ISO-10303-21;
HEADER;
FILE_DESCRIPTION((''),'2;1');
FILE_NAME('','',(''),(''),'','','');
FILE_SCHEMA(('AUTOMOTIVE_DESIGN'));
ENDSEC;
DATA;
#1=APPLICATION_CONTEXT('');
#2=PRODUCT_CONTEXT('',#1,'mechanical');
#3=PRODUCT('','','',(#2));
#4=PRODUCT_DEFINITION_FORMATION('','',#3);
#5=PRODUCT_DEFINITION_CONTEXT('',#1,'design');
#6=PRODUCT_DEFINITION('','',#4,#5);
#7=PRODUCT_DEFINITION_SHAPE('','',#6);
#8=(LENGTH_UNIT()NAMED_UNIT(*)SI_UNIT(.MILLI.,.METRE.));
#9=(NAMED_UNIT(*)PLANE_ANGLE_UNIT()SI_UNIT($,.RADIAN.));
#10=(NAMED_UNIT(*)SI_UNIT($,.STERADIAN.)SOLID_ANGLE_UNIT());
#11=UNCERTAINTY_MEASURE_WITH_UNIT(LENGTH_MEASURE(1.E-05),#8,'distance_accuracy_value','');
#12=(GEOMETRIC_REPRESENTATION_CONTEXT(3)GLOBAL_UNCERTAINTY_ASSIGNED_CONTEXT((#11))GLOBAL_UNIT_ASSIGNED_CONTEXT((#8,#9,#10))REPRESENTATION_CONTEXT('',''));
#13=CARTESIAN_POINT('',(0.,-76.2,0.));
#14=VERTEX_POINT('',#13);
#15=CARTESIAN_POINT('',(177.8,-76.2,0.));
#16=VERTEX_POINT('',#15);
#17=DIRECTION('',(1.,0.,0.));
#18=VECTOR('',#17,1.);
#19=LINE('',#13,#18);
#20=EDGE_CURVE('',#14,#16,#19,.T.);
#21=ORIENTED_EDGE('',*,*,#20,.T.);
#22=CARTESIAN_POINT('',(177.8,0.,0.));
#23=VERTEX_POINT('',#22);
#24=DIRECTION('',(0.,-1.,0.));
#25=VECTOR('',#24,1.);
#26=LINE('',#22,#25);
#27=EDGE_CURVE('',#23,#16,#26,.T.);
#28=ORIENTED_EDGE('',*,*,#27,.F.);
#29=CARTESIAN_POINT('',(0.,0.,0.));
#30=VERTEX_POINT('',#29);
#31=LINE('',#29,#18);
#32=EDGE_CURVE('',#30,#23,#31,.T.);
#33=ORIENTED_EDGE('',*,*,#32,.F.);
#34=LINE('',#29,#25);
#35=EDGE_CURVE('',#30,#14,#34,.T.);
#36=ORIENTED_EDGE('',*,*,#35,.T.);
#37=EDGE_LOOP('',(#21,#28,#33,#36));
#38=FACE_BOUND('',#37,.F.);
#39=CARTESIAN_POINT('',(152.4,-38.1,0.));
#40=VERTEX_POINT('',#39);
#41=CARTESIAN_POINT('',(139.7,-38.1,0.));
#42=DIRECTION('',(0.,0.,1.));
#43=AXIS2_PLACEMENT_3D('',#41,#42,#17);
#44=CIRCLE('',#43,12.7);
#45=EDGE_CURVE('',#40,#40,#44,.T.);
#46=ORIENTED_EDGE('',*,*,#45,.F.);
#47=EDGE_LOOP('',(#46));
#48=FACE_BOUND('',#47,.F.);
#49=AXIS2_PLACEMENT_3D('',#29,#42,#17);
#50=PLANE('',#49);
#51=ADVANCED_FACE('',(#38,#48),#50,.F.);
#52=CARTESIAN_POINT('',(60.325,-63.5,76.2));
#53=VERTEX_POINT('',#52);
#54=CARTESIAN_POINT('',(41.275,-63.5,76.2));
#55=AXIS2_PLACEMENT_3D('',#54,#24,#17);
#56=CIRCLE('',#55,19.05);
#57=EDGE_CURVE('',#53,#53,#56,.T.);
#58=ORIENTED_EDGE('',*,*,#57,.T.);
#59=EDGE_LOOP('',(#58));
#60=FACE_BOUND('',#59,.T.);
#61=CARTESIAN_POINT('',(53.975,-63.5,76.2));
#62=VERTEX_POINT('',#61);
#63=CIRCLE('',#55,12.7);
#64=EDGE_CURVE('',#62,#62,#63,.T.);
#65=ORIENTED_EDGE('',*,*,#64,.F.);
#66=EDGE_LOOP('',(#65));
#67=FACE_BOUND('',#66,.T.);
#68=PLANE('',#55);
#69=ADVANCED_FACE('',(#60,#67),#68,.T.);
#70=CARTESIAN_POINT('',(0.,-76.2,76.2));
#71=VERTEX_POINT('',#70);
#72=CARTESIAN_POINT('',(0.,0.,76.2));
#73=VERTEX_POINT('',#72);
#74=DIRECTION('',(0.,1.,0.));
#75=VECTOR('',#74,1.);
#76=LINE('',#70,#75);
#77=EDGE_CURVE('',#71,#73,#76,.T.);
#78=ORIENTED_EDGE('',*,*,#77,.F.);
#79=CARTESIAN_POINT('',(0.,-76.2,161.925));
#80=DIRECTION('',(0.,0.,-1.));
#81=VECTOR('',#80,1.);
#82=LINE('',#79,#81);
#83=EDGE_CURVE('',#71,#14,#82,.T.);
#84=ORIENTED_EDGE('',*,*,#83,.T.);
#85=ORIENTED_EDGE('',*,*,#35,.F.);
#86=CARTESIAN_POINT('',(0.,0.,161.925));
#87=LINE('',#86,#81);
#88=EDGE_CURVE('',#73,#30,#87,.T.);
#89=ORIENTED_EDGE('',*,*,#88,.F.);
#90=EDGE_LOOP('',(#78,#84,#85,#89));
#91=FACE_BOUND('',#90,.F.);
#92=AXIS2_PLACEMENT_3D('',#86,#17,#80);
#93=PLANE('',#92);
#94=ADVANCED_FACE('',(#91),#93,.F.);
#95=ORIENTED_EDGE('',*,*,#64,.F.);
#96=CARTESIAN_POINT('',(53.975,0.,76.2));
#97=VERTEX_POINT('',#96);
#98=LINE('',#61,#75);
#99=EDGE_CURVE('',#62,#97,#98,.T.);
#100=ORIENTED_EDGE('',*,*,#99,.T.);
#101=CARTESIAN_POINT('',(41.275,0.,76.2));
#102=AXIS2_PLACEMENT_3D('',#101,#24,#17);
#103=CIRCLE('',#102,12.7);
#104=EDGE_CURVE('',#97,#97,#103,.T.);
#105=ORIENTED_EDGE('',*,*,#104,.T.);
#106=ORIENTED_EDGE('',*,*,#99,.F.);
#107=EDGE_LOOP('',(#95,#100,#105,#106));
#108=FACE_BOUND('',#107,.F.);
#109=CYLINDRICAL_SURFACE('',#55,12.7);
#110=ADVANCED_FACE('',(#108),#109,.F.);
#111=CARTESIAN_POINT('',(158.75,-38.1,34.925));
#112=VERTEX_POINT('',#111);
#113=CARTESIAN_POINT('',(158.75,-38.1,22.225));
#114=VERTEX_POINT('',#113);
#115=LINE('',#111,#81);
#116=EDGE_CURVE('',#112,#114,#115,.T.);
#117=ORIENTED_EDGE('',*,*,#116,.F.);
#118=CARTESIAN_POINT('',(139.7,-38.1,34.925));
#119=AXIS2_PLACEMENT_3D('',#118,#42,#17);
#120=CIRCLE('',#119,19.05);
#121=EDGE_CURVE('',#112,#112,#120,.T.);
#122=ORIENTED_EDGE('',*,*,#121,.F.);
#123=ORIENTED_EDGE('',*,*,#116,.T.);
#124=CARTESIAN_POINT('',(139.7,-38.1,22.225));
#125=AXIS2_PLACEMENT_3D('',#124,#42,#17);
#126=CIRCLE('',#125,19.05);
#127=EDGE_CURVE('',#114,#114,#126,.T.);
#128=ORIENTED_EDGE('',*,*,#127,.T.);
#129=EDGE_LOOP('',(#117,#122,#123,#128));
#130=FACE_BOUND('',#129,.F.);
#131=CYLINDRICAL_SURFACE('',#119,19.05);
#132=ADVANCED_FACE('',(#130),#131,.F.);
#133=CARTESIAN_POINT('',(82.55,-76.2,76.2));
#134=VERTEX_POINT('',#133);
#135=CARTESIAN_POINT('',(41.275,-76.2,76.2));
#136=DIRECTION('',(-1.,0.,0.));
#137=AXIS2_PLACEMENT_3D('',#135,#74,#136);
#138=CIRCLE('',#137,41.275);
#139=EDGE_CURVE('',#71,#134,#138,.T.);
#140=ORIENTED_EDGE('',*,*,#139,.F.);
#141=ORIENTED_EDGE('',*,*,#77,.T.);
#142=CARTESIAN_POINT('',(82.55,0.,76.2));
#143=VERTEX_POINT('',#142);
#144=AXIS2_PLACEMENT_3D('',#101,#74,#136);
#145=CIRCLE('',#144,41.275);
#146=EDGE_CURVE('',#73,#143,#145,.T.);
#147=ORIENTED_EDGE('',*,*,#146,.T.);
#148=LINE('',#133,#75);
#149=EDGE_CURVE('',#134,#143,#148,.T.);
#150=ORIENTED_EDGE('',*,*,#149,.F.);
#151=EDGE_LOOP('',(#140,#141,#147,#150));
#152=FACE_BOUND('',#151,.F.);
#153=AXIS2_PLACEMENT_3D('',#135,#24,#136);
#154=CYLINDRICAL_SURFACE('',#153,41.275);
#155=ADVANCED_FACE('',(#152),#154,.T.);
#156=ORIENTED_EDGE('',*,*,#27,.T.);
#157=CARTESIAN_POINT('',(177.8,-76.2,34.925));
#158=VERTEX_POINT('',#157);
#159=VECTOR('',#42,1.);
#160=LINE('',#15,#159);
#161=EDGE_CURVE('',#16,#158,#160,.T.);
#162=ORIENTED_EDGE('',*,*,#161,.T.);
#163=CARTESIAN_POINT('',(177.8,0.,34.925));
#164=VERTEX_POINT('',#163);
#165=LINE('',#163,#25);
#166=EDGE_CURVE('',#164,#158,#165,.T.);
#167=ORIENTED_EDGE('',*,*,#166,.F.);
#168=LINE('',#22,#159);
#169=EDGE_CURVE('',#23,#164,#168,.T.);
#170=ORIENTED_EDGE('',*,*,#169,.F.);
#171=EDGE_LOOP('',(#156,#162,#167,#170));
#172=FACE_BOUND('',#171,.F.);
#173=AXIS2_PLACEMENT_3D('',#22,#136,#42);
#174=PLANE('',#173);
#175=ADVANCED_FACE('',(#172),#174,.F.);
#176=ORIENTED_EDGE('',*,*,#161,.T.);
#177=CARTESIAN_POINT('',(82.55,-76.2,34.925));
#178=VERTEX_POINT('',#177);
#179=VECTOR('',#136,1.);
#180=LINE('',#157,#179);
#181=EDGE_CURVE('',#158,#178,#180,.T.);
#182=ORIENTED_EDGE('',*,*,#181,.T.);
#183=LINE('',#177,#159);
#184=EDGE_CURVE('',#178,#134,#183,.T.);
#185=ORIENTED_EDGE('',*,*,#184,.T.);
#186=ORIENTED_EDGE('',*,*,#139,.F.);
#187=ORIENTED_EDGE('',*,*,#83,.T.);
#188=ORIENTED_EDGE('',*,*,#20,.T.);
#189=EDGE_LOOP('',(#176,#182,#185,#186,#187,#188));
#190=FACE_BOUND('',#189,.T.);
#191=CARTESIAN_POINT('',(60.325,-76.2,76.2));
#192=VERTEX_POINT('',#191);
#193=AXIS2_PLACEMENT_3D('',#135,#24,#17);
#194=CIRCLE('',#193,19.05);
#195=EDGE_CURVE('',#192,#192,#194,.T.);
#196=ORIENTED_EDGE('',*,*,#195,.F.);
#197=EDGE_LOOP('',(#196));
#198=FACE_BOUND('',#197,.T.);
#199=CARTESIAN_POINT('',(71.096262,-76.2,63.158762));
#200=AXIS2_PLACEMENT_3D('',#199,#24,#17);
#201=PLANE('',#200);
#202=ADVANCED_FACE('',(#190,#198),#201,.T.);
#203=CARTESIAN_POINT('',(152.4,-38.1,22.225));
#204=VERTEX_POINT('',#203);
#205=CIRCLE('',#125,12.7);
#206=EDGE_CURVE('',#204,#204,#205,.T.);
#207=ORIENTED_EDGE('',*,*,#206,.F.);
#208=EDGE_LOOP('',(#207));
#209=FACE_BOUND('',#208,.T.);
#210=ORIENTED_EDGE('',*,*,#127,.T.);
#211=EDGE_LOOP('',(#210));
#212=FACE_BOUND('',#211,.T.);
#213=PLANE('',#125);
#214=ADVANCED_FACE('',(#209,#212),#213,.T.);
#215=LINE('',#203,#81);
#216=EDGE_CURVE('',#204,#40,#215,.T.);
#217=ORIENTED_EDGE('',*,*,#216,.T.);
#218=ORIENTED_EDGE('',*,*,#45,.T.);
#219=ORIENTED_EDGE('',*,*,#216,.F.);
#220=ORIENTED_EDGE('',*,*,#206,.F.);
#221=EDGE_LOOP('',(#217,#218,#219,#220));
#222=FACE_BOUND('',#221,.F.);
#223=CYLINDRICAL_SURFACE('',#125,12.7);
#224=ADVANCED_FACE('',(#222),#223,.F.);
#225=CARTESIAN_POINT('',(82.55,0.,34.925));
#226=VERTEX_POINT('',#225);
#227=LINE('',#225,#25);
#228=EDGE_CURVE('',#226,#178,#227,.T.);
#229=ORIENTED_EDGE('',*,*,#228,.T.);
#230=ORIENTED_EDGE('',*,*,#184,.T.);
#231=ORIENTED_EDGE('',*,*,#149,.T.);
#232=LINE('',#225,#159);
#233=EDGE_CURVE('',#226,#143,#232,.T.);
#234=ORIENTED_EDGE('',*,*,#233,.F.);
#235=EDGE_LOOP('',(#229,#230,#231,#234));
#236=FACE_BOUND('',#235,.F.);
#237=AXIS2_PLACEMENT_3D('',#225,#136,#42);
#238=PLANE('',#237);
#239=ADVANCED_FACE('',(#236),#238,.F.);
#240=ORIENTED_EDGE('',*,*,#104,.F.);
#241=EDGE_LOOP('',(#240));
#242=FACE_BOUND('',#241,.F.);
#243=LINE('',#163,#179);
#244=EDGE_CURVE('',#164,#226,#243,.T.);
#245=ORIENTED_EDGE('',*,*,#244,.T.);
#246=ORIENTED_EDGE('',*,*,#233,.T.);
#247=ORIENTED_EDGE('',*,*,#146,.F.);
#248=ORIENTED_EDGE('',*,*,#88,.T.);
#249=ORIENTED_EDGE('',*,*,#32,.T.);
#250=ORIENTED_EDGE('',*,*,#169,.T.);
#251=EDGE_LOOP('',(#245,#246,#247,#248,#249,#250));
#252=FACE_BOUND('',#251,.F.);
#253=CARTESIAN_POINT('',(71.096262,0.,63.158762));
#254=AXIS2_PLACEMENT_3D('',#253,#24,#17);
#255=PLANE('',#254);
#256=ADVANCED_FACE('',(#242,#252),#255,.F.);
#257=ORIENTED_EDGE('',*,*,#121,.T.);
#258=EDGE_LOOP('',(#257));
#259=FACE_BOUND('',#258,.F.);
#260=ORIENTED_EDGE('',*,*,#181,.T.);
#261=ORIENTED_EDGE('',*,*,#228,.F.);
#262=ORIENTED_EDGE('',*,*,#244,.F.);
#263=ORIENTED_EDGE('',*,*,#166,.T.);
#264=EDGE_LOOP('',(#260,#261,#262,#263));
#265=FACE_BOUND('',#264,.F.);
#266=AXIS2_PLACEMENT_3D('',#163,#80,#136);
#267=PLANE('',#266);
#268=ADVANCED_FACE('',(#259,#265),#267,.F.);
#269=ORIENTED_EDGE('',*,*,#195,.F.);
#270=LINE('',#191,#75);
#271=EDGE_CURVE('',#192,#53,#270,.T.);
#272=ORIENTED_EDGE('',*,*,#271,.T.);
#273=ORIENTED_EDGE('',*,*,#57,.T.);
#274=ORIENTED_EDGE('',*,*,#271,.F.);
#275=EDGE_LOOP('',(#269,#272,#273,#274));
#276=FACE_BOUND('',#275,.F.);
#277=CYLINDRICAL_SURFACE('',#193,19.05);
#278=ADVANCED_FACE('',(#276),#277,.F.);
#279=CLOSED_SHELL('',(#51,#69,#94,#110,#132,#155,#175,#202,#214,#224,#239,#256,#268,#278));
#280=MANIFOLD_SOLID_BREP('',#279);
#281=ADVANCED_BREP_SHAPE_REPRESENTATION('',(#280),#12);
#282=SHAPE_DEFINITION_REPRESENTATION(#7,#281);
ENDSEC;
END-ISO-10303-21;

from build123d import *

# Parameters (mm, degrees)
F1_DEPTH  = 76.2
F3_DEPTH  = 76.2
F4_R      = 19.05
F4_R_2    = 6.35
F5_DEPTH  = 12.7
F6_DEPTH  = 76.2
F7_R      = 19.05
F7_R_2    = 6.35
F8_DEPTH  = 12.7
F9_DEPTH  = 127
F10_R     = 12.7
F10_R_2   = 6.35
F11_DEPTH = 152.4
F12_R     = 12.7
F13_DEPTH = 127


with BuildPart() as f1:
    # F0 (on Front) → F1 (new body)
    with BuildSketch(Plane.XZ):
        Polygon((0, 161.925), (0, 0), (177.8, 0), (177.8, 34.925), (82.55, 34.925), (82.55, 161.925), align=None)
    extrude(amount=F1_DEPTH)

    # F2 (on face) → F3 (cut, through all)
    with BuildSketch(Plane.XZ.offset(76.2)):
        with BuildLine():
            ThreePointArc((0, 76.2), (41.275, 117.475), (82.55, 76.2))
            Line((82.55, 76.2), (82.55, 161.925))
            Line((82.55, 161.925), (0, 161.925))
            Line((0, 161.925), (0, 76.2))
        make_face()
    extrude(amount=-F3_DEPTH, mode=Mode.SUBTRACT)

    # F4 (on face) → F5 (cut)
    with BuildSketch(Plane.XY.offset(34.925)):
        with Locations((139.7, -38.1)):
            Circle(F4_R)
        with Locations((139.7, -38.1)):
            Circle(F4_R_2, mode=Mode.SUBTRACT)
    extrude(amount=-F5_DEPTH, mode=Mode.SUBTRACT)

    # F6 (cut): a face of the model
    f6_faces = [f1.faces().sort_by_distance(p)[0] for p in [
        (139.7, -38.1, 34.925),
    ]]
    extrude(f6_faces, amount=-F6_DEPTH, mode=Mode.SUBTRACT)

    # F7 (on face) → F8 (cut)
    with BuildSketch(Plane.XZ.offset(76.2)):
        with Locations((41.275, 76.2)):
            Circle(F7_R)
        with Locations((41.275, 76.2)):
            Circle(F7_R_2, mode=Mode.SUBTRACT)
    extrude(amount=-F8_DEPTH, mode=Mode.SUBTRACT)

    # F9 (cut): a face of the model
    f9_faces = [f1.faces().sort_by_distance(p)[0] for p in [
        (41.275, -76.2, 76.2),
    ]]
    extrude(f9_faces, amount=-F9_DEPTH, mode=Mode.SUBTRACT)

    # F10 (on face) → F11 (cut)
    with BuildSketch(Plane.XZ.offset(63.5)):
        with Locations((41.275, 76.2)):
            Circle(F10_R)
        with Locations((41.275, 76.2)):
            Circle(F10_R_2, mode=Mode.SUBTRACT)
    extrude(amount=-F11_DEPTH, mode=Mode.SUBTRACT)

    # F12 (on face) → F13 (cut)
    with BuildSketch(Plane.XY.offset(22.225)):
        with Locations((139.7, -38.1)):
            Circle(F12_R)
    extrude(amount=-F13_DEPTH, mode=Mode.SUBTRACT)


solid = f1.part
